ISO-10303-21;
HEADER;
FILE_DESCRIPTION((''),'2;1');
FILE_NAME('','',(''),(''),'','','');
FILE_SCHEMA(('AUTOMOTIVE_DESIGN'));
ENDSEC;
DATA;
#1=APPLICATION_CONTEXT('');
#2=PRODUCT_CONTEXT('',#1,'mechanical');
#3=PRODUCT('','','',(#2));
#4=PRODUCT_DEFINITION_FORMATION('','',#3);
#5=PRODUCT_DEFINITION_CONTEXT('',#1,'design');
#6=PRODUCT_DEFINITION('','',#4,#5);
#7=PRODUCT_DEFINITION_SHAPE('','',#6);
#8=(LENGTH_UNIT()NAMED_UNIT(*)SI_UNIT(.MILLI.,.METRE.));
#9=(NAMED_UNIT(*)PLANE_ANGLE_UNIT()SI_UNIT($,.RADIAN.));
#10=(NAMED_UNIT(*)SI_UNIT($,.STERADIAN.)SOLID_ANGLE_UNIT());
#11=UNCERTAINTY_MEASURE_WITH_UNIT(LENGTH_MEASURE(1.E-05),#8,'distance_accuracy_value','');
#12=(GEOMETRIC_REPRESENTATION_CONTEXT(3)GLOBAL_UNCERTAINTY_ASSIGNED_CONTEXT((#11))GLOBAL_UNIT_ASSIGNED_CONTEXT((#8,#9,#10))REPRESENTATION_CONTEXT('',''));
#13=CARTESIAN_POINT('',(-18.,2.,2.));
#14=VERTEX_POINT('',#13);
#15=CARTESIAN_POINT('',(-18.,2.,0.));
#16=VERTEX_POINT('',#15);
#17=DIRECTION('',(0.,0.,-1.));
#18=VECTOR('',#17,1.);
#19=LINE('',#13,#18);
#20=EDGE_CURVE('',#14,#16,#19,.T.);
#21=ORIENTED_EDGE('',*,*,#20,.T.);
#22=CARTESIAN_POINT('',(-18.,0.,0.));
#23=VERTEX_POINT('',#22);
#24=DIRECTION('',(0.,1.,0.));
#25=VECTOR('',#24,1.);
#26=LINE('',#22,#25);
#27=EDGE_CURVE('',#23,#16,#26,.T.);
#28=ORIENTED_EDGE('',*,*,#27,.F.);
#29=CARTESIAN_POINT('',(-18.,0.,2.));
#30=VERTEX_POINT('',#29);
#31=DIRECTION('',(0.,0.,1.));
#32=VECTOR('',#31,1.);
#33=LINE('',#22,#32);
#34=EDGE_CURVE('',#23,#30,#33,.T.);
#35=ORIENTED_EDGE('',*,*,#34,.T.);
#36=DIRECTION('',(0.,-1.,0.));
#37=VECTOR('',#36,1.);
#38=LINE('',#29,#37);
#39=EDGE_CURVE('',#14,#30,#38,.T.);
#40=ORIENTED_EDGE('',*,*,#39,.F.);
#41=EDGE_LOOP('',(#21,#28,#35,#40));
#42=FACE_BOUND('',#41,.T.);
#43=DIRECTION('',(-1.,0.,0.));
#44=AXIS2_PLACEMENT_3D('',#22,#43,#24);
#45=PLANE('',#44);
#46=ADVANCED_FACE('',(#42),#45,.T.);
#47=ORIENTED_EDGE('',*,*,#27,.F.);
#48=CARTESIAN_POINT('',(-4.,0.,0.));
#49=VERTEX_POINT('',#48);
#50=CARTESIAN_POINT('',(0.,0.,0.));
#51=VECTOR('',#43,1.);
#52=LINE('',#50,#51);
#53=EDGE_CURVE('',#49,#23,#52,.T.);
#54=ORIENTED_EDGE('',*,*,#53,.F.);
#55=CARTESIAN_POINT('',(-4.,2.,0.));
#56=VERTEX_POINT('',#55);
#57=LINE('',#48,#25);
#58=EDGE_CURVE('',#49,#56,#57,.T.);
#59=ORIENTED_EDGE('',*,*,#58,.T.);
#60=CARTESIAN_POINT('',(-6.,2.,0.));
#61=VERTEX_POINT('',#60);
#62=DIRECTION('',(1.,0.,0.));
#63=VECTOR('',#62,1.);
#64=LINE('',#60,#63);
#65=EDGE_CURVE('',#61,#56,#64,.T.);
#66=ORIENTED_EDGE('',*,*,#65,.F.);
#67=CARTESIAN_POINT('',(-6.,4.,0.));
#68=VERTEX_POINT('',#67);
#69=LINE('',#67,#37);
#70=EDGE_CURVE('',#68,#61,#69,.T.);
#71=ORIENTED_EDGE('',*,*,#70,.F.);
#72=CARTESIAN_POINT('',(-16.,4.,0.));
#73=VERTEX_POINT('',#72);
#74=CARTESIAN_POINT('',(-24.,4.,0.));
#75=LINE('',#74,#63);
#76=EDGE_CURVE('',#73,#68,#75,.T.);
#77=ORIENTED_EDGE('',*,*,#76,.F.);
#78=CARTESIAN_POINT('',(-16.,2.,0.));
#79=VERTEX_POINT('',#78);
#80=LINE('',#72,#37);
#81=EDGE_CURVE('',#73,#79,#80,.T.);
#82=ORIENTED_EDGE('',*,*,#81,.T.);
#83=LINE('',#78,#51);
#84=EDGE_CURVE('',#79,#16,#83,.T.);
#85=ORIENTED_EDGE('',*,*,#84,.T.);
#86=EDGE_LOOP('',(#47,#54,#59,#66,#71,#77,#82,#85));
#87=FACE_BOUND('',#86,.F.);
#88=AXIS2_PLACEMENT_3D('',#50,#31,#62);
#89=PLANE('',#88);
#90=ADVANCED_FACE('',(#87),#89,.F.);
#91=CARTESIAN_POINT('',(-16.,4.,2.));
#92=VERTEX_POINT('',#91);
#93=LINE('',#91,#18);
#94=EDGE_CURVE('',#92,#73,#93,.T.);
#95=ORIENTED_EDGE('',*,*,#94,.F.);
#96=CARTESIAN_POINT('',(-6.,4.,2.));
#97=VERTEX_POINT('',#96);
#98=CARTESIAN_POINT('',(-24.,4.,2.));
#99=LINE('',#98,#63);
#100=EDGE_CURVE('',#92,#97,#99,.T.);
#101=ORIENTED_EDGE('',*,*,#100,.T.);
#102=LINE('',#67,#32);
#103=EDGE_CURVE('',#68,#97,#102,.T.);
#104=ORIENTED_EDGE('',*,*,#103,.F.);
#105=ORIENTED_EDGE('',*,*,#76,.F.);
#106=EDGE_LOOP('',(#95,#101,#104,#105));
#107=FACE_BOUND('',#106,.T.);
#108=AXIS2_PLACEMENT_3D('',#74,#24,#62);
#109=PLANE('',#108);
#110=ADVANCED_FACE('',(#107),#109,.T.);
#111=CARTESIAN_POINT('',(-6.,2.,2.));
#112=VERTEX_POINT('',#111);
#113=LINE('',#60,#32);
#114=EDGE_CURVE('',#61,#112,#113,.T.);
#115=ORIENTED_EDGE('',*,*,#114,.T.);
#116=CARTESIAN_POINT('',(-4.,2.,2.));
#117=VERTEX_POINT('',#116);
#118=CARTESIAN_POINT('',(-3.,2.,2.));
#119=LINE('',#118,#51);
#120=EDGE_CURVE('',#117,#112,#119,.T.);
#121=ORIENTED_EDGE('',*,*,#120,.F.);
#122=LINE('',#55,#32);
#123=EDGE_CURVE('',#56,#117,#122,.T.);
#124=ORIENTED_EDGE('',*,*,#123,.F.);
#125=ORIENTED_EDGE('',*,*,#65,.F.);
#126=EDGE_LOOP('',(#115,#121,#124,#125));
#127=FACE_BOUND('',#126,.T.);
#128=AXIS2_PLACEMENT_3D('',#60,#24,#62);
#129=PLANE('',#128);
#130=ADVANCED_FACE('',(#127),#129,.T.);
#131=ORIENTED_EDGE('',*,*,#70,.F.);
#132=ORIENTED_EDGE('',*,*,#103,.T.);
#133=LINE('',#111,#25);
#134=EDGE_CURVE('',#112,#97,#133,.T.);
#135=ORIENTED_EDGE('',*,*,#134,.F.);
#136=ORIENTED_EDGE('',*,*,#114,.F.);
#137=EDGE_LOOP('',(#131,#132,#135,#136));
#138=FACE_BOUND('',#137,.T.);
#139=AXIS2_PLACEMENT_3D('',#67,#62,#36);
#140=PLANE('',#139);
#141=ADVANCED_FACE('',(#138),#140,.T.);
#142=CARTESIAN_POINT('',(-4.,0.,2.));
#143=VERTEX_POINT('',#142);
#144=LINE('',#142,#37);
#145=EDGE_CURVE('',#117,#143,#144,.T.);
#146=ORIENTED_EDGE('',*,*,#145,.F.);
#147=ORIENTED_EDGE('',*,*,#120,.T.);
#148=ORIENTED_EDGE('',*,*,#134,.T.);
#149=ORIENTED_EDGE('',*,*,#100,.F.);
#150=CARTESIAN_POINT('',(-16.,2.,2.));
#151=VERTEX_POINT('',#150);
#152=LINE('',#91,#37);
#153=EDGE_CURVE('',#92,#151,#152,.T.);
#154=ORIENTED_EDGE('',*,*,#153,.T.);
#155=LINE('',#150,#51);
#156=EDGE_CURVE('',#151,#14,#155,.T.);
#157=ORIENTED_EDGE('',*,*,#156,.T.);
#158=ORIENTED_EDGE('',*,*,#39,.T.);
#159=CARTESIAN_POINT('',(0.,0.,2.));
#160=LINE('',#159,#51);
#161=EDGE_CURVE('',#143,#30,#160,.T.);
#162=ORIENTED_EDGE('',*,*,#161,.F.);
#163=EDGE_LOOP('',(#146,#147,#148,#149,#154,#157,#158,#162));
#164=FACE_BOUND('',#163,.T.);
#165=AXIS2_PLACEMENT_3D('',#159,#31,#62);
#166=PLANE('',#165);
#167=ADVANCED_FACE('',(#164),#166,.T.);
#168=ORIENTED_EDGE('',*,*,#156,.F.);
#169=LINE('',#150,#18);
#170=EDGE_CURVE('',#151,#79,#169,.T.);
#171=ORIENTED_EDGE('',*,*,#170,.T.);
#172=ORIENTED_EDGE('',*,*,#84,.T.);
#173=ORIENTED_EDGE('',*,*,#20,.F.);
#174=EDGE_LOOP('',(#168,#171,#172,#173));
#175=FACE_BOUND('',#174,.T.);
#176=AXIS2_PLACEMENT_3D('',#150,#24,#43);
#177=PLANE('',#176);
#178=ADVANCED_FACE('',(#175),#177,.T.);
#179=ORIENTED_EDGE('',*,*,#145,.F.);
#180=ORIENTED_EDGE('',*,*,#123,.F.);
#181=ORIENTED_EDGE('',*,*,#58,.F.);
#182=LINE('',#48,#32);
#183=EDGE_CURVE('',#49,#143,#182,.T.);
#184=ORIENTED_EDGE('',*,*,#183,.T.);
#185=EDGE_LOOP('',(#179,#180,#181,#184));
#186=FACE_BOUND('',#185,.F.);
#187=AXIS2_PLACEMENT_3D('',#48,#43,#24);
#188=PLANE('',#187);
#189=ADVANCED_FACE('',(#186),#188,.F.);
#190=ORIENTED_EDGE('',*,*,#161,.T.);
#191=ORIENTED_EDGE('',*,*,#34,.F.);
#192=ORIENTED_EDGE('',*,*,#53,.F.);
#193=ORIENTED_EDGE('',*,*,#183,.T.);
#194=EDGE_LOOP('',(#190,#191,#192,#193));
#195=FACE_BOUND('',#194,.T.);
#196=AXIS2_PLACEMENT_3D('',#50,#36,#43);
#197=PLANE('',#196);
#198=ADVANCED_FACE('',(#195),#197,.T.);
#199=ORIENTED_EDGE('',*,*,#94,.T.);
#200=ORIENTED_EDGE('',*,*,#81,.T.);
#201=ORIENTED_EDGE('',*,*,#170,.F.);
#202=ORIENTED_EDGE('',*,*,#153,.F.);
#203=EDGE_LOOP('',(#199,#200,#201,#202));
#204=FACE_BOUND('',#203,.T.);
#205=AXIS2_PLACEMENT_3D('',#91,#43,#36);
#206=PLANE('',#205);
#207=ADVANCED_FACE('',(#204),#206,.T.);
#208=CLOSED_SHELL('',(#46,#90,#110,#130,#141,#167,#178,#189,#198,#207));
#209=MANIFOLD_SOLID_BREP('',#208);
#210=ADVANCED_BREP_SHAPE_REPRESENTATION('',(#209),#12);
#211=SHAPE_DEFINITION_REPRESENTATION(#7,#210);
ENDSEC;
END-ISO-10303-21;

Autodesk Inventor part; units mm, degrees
ref_plane "YZ Plane" through (0, 0, 0) normal (1, 0, 0) x (0, 1, 0)
ref_plane "XZ Plane" through (0, 0, 0) normal (0, 1, 0) x (-1, 0, 0)
ref_plane "XY Plane" through (0, 0, 0) normal (0, 0, 1) x (1, 0, 0)
sketch "Sketch1" plane through (0, 0, 0) normal (0, 0, 1) x (1, 0, 0)
  line L0 (0, 0) -> (-50, 0)
  line L1 (-50, 0) -> (-50, 2)
  line L2 (-46, 4) -> (-46, 2)
  line L3 (-46, 2) -> (-50, 2)
  line L4 (0, 2) -> (-4, 2)
  line L5 (-4, 2) -> (-4, 4)
  line L6 (-46, 4) -> (-26, 4)
  line L7 (0, 2) -> (0, 0)
  line L8 (-26, 4) -> (-26, 2)
  line L9 (-26, 2) -> (-24, 2)
  line L10 (-24, 2) -> (-24, 4)
  line L11 (-24, 4) -> (-4, 4)
  dimension "d2" = 4
  dimension "d3" = 2
  dimension "d5" = 24
  dimension "d6" = 2
  dimension "d7" = 2
extrude "Extrusion1" add sketch "Sketch1" along normal blind 2
sketch "Sketch2" plane through (0, 0, 2) normal (0, 0, 1) x (1, 0, 0)
  line L0 (-4, 4) -> (-24, 4) projected
  line L1 (-18, 4) -> (-16, 4)
  line L2 (-16, 4) -> (-16, 2)
  line L3 (-16, 2) -> (-18, 2)
  line L4 (-18, 2) -> (-18, 4)
  point P0 (0, 0)
  dimension "d10" = 2
  dimension "d11" = 2
  dimension "d12" = 16
extrude "Extrusion2" cut sketch "Sketch2" against normal blind 2
sketch "Sketch3" plane through (0, 0, 0) normal (0, 0, -1) x (-1, 0, 0)
  line L0 (18, 4) -> (24, 4) projected
  line L1 (50, 2) -> (50, 0) projected
  line L2 (18, 4) -> (50, 4)
  line L3 (50, 4) -> (50, 0)
  line L4 (50, 0) -> (18, 0)
  line L5 (18, 0) -> (18, 4)
  line L6 (0, 2) -> (4, 2) projected
  line L7 (0, 0) -> (0, 2) projected
  line L8 (4, 2) -> (0, 2)
  line L9 (0, 2) -> (0, 0)
  line L10 (0, 0) -> (4, 0)
  line L11 (4, 0) -> (4, 2)
  line L12 (4, 2) -> (4, 4) projected
  line L13 (4, 4) -> (6, 4)
  line L14 (6, 4) -> (6, 2)
  line L15 (6, 2) -> (4, 2)
  line L16 (4, 2) -> (4, 4)
  dimension "d17" = 2
extrude "Extrusion3" cut sketch "Sketch3" against normal blind 10
properties part number "beam1" material "Wood (Birch)"
